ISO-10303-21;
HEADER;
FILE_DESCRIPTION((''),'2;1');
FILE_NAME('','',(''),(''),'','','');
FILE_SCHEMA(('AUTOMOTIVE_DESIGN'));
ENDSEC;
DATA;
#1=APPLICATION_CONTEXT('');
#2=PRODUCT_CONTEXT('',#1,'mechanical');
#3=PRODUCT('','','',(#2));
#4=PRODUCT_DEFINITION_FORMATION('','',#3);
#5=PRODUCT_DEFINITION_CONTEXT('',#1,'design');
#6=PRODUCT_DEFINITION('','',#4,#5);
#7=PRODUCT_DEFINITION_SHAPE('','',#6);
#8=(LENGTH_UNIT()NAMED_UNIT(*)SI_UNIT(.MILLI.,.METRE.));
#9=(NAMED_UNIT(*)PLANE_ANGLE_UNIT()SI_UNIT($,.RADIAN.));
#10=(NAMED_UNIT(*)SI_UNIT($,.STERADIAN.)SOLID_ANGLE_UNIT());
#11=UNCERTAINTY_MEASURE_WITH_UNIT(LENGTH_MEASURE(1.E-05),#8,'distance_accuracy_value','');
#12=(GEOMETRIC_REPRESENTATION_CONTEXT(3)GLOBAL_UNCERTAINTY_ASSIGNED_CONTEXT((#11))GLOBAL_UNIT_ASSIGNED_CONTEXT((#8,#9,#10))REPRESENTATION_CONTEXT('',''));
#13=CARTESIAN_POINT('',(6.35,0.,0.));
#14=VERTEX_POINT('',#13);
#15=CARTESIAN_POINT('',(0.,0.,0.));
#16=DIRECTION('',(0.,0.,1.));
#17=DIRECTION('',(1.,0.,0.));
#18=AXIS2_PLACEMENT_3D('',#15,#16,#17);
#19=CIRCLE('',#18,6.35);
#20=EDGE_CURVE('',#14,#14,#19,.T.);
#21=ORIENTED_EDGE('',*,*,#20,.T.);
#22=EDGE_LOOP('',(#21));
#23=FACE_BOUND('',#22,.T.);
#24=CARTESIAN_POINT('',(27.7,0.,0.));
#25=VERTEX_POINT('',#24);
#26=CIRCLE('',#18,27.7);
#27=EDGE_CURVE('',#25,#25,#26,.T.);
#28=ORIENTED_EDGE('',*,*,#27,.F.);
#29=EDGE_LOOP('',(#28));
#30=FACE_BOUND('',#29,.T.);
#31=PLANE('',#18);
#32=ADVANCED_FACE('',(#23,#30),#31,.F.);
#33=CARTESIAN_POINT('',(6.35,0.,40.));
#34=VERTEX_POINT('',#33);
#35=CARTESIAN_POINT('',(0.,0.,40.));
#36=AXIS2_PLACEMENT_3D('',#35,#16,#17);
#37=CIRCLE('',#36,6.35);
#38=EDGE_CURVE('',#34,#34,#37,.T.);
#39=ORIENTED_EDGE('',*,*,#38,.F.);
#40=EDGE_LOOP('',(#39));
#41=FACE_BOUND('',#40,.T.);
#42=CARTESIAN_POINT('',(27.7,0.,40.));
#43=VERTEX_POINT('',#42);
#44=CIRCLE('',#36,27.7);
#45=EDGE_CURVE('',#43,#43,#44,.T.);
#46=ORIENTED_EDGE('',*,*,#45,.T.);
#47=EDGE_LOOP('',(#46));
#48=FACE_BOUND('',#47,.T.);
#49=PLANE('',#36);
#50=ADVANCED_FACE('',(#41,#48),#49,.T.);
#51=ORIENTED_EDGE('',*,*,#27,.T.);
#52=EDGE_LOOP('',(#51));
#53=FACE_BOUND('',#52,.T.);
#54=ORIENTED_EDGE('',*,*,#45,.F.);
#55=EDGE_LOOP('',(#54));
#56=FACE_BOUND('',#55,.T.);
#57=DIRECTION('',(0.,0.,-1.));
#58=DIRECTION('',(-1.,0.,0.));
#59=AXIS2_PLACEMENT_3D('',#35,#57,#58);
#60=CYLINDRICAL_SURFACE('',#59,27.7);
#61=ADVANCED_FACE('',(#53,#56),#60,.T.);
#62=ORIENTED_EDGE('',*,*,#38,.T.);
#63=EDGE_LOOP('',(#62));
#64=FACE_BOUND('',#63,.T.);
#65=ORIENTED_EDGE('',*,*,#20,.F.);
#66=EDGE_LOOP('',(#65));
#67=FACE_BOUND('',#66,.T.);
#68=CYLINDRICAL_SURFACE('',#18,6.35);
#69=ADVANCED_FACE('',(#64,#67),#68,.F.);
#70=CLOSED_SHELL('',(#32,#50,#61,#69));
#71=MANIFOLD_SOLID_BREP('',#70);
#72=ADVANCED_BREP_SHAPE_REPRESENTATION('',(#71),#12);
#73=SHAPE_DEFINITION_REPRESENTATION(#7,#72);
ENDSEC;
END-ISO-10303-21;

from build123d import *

# Parameters (mm, degrees)
SKETCH1_R           = 27.7
BOSS_EXTRUDE1_DEPTH = 40
SKETCH2_R           = 6.35
CUT_EXTRUDE1_DEPTH  = 40


with BuildPart() as part:
    # Sketch1 → Boss-Extrude1 (new body)
    with BuildSketch(Plane.XY):
        Circle(SKETCH1_R)
    extrude(amount=BOSS_EXTRUDE1_DEPTH)

    # Sketch2 → Cut-Extrude1 (cut)
    with BuildSketch(Plane.XY.offset(40)):
        Circle(SKETCH2_R)
    extrude(amount=-CUT_EXTRUDE1_DEPTH, mode=Mode.SUBTRACT)


solid = part.part
